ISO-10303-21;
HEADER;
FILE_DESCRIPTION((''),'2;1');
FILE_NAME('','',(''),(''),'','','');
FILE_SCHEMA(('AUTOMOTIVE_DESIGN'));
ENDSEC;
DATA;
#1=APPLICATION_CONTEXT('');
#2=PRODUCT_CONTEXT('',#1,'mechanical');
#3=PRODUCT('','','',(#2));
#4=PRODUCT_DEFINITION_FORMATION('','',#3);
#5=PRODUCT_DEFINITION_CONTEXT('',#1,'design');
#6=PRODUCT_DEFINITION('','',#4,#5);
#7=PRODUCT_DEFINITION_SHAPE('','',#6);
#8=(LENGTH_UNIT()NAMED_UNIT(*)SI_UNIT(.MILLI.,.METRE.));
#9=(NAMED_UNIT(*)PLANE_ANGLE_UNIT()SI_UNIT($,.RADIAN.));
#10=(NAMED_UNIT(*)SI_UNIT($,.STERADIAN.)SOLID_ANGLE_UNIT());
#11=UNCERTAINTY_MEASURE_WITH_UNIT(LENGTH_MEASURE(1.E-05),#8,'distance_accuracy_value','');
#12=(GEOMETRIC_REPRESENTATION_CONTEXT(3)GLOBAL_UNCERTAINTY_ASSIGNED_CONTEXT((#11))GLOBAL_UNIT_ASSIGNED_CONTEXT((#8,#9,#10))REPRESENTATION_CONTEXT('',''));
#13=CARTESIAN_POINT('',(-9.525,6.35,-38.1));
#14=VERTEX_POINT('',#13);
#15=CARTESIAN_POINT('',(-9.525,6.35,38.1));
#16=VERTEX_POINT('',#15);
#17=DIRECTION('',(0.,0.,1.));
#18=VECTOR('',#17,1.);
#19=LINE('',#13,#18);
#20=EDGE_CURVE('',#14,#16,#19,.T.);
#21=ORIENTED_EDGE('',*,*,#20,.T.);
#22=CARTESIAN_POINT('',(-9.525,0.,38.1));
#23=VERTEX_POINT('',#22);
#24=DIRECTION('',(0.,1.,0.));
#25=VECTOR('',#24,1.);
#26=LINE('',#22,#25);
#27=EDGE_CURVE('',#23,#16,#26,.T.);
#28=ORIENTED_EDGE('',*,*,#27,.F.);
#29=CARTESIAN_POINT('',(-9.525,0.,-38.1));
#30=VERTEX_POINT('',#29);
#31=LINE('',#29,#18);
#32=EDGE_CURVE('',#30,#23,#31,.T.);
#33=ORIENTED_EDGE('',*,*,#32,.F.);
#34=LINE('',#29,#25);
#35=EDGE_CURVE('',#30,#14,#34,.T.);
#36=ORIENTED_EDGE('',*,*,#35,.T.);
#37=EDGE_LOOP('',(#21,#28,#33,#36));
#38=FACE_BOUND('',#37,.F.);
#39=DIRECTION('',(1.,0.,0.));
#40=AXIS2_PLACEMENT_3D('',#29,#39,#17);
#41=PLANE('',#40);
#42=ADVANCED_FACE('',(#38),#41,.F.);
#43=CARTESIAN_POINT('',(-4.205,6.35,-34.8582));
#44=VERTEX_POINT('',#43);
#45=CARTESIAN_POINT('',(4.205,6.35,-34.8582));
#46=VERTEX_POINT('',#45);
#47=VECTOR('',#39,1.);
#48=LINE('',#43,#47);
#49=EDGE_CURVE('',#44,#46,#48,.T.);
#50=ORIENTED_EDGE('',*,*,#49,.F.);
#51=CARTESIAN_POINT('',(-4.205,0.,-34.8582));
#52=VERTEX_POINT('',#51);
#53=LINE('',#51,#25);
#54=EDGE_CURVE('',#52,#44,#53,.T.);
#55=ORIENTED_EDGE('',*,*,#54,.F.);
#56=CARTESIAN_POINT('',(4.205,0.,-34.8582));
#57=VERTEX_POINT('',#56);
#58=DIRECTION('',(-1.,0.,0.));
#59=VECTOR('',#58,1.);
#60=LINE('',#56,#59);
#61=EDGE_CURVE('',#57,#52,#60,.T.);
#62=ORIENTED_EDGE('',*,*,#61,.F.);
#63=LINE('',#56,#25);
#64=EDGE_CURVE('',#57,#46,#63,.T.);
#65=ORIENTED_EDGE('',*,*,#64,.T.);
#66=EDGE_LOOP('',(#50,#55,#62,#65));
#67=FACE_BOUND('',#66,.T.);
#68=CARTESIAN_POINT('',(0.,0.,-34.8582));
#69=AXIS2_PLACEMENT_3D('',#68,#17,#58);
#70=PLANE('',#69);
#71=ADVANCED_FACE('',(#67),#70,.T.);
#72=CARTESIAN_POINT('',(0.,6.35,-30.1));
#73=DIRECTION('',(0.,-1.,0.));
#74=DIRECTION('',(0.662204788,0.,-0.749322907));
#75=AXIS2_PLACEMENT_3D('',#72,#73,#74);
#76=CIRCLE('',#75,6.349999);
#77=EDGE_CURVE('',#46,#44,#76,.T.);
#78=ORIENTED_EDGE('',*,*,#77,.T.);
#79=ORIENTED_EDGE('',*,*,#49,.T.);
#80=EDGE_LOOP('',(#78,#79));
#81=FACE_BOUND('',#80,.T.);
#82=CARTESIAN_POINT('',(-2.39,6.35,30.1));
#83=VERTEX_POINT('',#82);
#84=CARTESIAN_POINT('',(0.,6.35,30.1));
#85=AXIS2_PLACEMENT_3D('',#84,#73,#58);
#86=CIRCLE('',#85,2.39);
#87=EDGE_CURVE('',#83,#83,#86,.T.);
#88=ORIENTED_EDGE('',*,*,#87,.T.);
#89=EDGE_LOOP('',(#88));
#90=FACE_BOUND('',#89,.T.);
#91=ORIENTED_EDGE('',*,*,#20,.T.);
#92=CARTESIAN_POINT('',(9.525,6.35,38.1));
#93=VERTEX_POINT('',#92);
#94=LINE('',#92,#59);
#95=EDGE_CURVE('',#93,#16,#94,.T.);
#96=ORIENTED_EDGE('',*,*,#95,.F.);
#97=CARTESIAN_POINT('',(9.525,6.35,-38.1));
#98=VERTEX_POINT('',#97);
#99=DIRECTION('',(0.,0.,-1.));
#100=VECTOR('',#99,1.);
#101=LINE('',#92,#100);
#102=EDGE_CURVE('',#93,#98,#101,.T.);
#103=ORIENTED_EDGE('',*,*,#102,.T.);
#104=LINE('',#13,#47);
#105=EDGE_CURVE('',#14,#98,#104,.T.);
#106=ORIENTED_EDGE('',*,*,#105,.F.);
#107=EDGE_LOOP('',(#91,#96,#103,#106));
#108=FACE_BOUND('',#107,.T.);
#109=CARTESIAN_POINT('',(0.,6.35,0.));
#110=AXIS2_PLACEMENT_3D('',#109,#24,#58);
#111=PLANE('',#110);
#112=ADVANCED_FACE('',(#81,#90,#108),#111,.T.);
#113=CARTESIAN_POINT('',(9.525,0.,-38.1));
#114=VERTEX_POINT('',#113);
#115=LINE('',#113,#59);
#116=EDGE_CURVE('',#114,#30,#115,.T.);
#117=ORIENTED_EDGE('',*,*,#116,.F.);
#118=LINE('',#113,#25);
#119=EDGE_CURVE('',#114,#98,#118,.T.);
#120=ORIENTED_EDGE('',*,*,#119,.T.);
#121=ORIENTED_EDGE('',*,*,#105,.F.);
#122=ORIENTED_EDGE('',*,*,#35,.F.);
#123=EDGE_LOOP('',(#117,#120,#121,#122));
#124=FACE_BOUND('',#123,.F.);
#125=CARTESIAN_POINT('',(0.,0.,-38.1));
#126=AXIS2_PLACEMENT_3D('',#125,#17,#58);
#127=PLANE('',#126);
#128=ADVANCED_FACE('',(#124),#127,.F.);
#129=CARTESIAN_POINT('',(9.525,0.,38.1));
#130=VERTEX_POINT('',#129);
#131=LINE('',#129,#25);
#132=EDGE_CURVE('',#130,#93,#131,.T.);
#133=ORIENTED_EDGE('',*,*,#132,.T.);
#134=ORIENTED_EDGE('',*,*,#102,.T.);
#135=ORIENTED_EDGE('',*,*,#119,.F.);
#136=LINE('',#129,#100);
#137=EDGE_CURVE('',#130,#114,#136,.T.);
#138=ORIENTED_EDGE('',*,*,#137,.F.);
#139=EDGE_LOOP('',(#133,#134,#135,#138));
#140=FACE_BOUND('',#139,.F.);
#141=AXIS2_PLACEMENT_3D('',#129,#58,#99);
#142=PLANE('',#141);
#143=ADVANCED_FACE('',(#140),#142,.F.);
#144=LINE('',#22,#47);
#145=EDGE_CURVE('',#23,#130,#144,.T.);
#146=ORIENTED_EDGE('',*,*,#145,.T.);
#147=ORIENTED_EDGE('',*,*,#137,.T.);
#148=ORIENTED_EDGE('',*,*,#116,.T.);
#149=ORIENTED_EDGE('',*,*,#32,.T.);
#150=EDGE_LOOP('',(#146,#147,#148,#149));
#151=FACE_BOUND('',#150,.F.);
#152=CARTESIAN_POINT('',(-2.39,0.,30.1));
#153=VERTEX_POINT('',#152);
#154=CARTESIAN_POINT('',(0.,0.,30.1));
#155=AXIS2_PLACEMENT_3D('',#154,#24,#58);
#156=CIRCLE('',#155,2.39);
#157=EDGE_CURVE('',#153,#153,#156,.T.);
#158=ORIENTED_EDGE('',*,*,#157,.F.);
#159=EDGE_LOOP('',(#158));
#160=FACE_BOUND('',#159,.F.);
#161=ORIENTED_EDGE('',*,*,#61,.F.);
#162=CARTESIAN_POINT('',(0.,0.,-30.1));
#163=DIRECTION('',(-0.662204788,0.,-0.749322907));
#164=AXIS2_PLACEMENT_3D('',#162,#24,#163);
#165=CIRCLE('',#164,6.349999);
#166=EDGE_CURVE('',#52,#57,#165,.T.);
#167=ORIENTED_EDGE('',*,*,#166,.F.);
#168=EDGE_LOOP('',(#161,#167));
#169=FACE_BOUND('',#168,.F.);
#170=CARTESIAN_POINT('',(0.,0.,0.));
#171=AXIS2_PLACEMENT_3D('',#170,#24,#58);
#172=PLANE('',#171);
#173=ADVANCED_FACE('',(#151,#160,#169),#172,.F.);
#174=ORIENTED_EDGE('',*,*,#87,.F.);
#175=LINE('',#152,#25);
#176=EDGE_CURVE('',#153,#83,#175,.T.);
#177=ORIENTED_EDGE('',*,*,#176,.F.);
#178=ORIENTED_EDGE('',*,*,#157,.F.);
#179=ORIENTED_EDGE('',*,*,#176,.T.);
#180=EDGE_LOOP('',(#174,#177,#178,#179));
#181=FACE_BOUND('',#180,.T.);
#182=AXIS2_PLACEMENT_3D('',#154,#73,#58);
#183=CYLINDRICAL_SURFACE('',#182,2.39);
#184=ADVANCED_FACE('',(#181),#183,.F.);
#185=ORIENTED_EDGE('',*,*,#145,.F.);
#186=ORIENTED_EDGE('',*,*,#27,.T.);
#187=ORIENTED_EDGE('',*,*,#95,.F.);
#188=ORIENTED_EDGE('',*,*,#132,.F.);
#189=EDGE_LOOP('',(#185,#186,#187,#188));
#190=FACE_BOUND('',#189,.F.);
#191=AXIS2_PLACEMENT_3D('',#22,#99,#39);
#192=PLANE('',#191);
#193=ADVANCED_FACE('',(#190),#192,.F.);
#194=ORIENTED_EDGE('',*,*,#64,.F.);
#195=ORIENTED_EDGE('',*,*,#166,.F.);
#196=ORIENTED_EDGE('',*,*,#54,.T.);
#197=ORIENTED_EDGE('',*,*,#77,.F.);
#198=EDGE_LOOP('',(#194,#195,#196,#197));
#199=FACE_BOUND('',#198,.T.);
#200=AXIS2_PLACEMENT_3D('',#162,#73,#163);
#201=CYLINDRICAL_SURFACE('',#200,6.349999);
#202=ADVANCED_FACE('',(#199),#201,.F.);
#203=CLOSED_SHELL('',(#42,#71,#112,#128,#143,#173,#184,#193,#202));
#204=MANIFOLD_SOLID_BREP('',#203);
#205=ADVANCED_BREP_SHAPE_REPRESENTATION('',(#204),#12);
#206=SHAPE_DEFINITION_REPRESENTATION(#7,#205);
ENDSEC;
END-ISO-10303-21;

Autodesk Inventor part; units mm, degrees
ref_plane "YZ Plane" through (0, 0, 0) normal (1, 0, 0) x (0, 1, 0)
ref_plane "XZ Plane" through (0, 0, 0) normal (0, 1, 0) x (-1, 0, 0)
ref_plane "XY Plane" through (0, 0, 0) normal (0, 0, 1) x (1, 0, 0)
sketch "Esboço1" plane through (0, 0, 0) normal (0, 1, 0) x (-1, 0, 0)
  line L0 (9.525, 38.1) -> (-9.525, 38.1)
  line L1 (-9.525, 38.1) -> (-9.525, -38.1)
  line L2 (-9.525, -38.1) -> (9.525, -38.1)
  line L3 (9.525, -38.1) -> (9.525, 38.1)
  line L4 (9.525, 38.1) -> (-9.525, -38.1) construction
  line L5 (-9.525, 38.1) -> (9.525, -38.1) construction
  line L6 (0, -53.7953) -> (0, 49.8481)
  line L7 (-9.525, -38.1) -> (-9.525, -19.04) construction
  line L8 (-9.525, -19.04) -> (-9.525, 38.1) construction
  line L9 (0, -38.1) -> (0, -30.1) construction
  line L10 (0, 38.1) -> (0, 30.1) construction
  circle A0 centre (0, 30.1) radius 2.39
  arc A1 (4.205, -34.8582) -> (-4.205, -34.8582) centre (0, -30.1) ccw
  line L11 (-4.205, -34.8582) -> (4.205, -34.8582)
  point P0 (0, 0)
  dimension "d0" = 19.05
  dimension "d4" = 76.2
  dimension "d5" = 8
  dimension "d8" = 4.78
  dimension "d9" = 12.7
extrude "Extrusão1" add sketch "Esboço1" along normal blind 6.35 contours L3 L2 L6 L11 A1 A0 L0 | L6 A0 A1 L11 L2 L1 L0
properties part number "Virabrequim8"
